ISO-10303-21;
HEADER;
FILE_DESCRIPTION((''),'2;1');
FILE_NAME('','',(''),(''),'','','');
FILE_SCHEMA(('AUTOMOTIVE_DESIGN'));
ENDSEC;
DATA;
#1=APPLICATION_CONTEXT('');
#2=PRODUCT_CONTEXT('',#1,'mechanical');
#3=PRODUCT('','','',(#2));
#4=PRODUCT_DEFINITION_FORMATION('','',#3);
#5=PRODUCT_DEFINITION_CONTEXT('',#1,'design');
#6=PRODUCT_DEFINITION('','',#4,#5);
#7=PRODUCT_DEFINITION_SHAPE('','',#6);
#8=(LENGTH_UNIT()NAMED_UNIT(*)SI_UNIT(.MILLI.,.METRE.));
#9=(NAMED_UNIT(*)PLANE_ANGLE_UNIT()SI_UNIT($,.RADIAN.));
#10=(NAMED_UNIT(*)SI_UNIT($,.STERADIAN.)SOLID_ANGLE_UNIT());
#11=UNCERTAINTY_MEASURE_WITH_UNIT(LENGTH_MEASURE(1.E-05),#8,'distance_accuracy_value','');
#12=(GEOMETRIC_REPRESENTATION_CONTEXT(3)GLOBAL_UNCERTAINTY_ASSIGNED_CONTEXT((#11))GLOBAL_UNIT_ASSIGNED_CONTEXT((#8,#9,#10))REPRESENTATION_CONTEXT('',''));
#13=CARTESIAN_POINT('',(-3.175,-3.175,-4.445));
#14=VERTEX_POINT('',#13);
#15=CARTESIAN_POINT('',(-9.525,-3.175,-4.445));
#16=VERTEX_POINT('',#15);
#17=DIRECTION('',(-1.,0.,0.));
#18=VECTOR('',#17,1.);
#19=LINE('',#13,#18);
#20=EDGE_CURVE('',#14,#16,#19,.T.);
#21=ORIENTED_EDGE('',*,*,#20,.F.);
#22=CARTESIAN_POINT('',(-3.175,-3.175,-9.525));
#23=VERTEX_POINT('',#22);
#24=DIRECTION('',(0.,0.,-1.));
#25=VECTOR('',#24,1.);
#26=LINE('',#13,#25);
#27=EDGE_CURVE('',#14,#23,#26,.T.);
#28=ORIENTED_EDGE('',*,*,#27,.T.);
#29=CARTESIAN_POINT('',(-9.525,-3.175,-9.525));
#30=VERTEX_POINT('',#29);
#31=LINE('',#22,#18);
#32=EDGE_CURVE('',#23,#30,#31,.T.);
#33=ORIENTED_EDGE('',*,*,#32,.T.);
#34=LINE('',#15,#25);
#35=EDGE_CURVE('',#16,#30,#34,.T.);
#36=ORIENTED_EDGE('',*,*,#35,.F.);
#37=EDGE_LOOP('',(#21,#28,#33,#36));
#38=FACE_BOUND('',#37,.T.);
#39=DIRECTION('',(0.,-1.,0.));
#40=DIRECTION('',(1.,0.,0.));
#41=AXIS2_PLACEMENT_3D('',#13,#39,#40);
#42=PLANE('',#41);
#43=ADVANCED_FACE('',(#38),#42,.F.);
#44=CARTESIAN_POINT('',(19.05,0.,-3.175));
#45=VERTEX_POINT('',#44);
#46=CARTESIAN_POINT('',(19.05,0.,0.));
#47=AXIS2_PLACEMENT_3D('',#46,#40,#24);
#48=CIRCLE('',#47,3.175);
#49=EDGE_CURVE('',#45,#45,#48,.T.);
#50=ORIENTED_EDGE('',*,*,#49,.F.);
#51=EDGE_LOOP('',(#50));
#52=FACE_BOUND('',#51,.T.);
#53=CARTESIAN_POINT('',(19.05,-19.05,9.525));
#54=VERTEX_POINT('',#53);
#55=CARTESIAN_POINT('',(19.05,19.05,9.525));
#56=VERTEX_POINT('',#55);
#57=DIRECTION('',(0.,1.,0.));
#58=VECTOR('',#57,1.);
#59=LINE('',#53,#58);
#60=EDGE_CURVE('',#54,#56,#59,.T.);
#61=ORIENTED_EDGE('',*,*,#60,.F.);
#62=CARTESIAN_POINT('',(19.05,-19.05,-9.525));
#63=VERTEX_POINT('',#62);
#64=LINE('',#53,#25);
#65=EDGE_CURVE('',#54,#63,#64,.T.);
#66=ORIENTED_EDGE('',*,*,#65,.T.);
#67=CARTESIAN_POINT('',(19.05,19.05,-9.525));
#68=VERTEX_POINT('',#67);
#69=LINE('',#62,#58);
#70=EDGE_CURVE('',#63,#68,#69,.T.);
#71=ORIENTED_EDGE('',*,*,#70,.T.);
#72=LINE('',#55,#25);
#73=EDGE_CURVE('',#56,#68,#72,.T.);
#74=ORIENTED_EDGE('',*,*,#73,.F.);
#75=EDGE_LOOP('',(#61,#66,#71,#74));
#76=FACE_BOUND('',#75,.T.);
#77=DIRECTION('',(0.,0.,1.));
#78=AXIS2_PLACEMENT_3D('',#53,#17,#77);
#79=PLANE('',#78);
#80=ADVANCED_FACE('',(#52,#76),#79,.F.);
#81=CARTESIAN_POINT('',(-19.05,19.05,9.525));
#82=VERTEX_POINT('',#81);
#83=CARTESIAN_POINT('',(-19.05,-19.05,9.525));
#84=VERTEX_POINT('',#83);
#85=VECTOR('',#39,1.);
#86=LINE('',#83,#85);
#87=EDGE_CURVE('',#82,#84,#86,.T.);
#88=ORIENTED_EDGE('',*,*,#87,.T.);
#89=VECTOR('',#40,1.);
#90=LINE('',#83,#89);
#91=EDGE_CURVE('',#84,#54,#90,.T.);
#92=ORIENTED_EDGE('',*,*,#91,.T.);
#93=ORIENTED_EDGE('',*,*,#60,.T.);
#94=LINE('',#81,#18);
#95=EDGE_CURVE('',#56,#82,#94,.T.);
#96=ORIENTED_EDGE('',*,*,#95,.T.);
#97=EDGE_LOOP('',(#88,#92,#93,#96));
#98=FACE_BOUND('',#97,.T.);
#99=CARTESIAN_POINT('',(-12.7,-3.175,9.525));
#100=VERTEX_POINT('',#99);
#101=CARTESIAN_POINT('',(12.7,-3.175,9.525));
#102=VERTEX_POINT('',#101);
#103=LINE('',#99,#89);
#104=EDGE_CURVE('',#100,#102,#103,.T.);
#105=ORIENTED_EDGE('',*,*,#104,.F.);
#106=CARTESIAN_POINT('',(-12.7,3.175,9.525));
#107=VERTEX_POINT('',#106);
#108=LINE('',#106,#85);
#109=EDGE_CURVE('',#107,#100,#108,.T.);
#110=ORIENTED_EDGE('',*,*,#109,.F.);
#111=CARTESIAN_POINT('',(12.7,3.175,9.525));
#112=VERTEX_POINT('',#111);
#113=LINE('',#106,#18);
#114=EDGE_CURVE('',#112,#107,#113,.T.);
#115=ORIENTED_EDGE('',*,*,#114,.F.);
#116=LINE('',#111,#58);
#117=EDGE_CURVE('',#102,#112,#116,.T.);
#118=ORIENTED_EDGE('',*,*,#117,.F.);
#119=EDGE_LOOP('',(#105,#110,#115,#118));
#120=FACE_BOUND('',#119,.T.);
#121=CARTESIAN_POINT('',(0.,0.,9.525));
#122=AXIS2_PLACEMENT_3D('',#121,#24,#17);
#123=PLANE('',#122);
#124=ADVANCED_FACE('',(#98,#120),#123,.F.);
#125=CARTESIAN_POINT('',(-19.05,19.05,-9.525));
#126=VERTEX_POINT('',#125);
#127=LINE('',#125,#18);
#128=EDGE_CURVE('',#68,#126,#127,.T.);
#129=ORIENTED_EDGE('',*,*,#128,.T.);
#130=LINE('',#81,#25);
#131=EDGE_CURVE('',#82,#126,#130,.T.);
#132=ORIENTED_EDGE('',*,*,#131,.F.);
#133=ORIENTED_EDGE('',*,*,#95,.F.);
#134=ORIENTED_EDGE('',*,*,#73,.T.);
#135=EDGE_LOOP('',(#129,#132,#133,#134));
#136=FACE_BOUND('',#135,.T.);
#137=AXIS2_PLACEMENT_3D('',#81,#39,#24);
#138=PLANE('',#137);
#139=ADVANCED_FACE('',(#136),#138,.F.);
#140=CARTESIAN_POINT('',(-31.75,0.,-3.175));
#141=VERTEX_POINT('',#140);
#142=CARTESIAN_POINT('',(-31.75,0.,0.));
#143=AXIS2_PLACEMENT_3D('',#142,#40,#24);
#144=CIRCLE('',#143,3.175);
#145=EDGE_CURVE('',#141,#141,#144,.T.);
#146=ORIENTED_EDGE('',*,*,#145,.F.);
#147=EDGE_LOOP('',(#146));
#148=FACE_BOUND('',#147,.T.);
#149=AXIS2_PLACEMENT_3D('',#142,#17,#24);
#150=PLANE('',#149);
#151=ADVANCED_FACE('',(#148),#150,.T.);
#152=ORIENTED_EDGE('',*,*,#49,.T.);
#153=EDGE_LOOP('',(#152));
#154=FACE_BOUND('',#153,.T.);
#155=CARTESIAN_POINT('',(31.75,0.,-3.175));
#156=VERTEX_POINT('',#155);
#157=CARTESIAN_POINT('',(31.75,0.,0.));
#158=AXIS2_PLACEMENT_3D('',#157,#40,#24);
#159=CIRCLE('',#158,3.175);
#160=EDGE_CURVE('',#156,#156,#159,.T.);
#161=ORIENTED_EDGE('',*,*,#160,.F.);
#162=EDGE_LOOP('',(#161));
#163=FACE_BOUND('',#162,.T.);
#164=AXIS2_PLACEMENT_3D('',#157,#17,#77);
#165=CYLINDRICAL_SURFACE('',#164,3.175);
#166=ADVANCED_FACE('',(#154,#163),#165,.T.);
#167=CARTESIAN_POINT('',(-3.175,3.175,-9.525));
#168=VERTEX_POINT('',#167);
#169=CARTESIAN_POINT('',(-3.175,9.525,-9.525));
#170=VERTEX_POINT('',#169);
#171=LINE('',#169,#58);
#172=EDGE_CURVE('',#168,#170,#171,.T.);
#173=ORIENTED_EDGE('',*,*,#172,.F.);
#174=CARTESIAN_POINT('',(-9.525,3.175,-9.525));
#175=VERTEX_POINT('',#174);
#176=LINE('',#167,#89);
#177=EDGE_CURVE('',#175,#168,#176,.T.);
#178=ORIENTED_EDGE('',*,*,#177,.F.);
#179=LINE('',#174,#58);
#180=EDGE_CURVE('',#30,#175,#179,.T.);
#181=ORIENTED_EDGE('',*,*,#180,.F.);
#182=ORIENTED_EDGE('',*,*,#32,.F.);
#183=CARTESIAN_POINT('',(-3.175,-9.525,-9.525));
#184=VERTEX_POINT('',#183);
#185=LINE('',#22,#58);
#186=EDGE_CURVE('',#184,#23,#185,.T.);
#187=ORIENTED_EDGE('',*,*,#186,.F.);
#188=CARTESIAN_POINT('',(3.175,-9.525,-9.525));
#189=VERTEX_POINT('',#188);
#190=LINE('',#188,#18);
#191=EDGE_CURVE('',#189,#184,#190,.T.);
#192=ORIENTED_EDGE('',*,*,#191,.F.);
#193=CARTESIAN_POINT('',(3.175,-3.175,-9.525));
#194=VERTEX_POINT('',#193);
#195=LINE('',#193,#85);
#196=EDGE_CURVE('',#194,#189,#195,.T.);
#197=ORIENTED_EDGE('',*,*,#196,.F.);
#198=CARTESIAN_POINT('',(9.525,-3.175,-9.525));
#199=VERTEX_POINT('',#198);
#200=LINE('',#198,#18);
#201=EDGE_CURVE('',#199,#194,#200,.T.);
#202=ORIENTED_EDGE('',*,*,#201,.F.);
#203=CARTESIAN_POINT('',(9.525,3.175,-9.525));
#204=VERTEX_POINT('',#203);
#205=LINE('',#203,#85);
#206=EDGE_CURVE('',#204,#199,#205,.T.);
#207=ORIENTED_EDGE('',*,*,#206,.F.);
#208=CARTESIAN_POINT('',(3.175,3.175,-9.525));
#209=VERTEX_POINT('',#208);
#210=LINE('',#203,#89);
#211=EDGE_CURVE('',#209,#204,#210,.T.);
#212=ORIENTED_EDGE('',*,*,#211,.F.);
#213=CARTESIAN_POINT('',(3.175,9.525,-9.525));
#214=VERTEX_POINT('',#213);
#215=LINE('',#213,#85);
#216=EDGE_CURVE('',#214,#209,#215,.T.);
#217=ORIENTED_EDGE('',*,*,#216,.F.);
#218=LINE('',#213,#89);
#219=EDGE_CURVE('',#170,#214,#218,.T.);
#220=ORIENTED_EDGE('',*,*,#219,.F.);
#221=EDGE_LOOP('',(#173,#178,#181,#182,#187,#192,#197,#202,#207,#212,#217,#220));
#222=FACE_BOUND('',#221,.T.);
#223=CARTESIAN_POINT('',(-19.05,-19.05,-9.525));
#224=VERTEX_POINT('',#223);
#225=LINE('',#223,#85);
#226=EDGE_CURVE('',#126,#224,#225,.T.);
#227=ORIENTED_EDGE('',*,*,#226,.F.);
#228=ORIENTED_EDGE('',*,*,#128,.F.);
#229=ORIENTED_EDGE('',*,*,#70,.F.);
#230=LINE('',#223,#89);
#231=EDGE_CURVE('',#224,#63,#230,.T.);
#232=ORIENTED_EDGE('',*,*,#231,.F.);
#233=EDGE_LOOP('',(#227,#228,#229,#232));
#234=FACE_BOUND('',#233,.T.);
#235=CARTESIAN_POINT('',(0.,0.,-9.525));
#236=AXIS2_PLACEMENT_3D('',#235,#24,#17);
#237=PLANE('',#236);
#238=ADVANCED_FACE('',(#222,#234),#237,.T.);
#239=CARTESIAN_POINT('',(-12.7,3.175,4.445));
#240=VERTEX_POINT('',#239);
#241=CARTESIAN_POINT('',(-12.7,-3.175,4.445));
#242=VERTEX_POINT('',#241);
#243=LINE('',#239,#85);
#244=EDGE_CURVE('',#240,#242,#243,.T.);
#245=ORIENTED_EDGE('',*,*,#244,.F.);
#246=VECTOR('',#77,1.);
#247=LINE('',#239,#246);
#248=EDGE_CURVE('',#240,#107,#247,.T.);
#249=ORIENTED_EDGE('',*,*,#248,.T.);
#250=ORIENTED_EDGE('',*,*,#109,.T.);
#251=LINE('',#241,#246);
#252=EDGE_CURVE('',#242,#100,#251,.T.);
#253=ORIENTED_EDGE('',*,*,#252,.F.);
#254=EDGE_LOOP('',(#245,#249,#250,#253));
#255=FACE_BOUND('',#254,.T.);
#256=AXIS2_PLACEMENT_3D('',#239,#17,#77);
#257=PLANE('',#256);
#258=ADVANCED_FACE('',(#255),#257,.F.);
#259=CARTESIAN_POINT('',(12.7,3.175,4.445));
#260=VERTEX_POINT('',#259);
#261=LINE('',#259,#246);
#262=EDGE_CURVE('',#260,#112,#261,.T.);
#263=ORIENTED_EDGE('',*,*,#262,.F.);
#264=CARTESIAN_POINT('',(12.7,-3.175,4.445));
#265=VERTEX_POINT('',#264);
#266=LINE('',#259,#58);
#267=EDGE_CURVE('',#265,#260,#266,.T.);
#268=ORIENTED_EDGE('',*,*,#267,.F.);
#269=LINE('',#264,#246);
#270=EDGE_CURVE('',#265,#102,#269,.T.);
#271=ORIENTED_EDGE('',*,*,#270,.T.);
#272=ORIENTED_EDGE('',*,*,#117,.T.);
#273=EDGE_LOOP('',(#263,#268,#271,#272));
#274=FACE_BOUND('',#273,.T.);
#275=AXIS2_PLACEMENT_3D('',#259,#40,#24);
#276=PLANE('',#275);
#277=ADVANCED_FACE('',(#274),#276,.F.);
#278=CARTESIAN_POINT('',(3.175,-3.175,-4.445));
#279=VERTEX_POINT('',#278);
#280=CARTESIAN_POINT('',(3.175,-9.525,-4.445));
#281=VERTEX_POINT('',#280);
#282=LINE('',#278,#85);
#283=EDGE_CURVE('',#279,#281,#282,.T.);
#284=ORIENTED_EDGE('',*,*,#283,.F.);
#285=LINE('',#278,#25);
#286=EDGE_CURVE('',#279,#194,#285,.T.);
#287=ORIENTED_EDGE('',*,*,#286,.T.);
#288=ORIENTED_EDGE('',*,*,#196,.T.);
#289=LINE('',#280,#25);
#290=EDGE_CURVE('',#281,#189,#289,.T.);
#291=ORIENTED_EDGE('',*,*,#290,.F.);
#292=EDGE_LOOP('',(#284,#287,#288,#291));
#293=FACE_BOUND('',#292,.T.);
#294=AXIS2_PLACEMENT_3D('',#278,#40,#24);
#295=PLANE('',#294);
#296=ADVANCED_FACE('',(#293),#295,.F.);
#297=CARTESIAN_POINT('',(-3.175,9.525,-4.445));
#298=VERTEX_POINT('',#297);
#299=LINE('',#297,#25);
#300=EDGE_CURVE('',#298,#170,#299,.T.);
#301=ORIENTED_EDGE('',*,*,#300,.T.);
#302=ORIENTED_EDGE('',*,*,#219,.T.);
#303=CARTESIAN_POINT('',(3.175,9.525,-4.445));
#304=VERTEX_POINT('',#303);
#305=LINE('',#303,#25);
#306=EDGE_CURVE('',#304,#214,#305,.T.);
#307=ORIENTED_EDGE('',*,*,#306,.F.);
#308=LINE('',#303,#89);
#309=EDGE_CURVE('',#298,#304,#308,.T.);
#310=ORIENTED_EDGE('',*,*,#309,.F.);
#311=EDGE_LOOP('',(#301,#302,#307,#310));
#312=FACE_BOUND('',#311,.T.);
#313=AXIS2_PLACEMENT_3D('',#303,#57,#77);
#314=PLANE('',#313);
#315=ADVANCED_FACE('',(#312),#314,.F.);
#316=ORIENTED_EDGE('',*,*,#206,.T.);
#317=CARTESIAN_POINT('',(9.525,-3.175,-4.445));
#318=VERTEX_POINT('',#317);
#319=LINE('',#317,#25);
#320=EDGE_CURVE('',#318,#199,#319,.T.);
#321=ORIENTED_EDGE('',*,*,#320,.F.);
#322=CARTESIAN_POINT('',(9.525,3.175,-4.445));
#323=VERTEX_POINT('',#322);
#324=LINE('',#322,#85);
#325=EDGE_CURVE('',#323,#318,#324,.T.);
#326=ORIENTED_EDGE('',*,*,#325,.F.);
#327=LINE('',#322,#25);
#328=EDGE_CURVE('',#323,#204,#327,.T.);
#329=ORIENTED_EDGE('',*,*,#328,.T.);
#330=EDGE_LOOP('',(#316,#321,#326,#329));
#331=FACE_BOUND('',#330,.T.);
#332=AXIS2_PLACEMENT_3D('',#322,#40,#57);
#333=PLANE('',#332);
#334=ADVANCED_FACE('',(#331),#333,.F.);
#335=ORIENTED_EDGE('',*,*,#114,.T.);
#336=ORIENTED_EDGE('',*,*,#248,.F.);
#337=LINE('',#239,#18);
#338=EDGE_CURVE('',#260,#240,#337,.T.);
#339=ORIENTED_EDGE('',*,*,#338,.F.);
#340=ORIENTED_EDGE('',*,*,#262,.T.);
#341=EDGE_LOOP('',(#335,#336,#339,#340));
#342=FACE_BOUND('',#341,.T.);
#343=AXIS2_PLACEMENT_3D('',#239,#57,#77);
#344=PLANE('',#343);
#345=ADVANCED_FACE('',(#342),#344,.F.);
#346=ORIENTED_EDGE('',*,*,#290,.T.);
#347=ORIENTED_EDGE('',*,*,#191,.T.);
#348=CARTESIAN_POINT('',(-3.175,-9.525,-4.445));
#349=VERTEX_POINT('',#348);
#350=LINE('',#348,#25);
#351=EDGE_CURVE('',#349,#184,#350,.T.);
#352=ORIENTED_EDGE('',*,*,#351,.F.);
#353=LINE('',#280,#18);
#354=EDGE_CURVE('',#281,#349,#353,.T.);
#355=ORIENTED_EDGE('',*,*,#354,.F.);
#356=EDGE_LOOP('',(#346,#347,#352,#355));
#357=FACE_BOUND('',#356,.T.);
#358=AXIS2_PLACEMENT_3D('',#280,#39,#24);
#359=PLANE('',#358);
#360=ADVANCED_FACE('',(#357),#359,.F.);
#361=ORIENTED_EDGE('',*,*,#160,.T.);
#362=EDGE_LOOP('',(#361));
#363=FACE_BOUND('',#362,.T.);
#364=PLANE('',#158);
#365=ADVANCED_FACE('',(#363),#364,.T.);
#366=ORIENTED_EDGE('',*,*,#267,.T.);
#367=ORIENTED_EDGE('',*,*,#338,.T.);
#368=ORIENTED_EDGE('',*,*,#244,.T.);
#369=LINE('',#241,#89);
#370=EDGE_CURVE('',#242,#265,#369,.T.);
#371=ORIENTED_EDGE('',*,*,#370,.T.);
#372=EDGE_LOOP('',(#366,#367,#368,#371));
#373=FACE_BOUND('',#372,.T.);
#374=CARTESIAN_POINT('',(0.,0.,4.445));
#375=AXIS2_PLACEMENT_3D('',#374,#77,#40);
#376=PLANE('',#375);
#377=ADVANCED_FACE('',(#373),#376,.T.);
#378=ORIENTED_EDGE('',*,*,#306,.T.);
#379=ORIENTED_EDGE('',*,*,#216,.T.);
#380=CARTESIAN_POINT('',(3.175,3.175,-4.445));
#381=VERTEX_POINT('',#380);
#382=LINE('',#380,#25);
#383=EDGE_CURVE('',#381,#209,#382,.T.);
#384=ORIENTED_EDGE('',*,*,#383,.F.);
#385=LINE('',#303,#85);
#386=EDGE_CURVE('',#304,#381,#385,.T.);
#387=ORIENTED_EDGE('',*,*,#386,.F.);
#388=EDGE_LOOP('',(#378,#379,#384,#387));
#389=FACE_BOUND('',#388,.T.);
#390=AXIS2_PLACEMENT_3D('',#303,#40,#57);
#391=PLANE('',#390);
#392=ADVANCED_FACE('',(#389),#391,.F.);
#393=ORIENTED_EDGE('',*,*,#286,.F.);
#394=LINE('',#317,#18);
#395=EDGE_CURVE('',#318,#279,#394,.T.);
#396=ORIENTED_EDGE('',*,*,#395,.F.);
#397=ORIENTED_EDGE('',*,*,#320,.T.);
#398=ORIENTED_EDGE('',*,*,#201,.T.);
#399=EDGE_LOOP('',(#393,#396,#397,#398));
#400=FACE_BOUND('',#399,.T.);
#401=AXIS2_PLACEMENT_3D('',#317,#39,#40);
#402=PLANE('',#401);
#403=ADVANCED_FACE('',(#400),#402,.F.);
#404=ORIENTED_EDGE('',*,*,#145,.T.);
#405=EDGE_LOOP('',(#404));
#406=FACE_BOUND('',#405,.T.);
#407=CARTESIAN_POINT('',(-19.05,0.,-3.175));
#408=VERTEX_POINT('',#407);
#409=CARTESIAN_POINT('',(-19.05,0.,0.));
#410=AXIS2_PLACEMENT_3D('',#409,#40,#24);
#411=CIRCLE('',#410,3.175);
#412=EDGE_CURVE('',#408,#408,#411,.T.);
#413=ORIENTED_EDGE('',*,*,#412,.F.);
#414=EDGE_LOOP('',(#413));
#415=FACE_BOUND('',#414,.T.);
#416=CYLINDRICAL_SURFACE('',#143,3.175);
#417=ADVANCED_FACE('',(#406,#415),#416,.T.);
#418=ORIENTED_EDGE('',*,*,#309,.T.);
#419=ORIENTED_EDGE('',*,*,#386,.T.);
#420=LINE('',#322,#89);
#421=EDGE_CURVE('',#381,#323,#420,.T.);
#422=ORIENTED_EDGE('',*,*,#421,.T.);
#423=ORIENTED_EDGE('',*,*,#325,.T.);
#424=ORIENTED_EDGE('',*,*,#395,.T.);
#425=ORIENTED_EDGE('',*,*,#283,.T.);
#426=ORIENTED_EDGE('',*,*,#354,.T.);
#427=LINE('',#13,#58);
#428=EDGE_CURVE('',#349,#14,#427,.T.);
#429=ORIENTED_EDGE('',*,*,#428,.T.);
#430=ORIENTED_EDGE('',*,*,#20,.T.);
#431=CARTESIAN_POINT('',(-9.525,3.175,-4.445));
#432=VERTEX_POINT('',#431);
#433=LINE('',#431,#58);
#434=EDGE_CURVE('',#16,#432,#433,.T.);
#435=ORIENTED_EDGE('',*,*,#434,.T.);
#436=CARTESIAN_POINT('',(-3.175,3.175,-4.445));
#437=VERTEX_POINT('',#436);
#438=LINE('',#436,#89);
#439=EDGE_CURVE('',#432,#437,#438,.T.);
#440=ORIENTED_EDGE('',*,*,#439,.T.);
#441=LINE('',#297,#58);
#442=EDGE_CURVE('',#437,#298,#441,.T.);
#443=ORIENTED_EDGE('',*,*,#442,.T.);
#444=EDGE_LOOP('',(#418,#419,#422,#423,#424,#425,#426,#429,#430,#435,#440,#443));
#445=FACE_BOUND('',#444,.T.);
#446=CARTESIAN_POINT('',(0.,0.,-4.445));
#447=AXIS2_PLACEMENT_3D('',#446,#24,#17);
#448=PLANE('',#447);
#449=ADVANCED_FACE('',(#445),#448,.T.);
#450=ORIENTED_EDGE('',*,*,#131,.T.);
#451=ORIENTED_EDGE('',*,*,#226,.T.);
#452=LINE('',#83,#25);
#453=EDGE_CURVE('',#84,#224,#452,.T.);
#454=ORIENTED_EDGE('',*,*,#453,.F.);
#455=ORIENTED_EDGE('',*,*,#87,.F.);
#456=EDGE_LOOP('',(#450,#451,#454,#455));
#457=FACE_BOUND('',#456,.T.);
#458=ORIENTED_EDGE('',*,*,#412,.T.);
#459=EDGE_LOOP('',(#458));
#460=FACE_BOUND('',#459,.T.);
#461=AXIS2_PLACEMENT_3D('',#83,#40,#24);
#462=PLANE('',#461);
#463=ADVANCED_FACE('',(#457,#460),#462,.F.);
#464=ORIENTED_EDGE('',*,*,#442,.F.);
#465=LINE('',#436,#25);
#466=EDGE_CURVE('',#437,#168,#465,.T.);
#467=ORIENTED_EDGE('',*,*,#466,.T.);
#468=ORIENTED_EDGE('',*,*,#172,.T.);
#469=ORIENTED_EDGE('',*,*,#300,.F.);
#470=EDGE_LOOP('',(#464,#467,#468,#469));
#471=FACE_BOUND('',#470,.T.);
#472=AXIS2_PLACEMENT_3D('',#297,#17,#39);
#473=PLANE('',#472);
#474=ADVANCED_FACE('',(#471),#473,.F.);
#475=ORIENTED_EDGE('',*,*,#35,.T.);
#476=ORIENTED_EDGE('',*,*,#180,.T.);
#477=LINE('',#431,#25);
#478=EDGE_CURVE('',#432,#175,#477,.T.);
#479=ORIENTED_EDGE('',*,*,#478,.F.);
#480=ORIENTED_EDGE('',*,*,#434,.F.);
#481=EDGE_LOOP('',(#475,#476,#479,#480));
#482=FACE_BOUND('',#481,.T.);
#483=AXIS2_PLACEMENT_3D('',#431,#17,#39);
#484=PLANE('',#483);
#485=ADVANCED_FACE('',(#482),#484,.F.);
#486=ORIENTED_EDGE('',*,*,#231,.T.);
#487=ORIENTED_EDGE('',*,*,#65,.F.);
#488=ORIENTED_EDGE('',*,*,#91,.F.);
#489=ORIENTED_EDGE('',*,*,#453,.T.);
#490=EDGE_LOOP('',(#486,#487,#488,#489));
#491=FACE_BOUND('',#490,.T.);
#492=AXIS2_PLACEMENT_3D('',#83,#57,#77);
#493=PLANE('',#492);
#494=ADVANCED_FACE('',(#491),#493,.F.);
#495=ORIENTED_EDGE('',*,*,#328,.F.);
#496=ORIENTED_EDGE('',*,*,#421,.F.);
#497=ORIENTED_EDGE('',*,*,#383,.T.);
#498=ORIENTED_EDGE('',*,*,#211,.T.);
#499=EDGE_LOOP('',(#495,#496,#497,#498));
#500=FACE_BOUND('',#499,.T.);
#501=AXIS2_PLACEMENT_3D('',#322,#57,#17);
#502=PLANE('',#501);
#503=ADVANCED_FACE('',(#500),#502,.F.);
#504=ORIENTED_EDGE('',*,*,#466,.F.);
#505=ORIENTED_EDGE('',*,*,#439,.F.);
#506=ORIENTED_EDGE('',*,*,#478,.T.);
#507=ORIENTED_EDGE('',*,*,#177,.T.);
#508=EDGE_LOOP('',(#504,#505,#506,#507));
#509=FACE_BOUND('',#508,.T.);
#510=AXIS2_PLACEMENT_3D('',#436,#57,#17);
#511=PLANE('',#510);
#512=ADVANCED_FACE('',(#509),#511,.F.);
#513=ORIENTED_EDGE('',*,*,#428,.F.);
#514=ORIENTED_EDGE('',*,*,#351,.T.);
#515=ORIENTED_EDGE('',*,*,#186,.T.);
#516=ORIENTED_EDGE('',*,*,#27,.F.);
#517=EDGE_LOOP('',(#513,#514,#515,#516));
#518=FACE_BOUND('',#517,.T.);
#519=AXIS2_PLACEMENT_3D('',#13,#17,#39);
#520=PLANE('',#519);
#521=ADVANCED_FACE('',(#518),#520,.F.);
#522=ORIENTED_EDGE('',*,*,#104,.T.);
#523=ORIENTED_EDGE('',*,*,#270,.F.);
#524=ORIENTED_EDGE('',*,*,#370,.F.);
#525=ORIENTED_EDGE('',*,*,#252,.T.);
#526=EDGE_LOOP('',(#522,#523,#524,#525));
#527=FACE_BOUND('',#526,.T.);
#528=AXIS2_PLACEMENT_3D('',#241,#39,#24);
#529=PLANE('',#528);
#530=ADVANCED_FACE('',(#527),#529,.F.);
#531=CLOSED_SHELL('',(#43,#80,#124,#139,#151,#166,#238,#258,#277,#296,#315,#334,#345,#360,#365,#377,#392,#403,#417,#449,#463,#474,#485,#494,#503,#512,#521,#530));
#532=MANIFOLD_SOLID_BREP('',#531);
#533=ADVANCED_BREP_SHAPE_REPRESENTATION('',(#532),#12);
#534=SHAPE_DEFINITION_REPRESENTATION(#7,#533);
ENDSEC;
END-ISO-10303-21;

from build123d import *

# Parameters (mm, degrees)
SKETCH1_W           = 38.1
SKETCH1_H           = 38.1
BOSS_EXTRUDE1_DEPTH = 9.525
SKETCH2_W           = 25.4
SKETCH2_H           = 6.35
CUT_EXTRUDE1_DEPTH  = 5.08
CUT_EXTRUDE2_DEPTH  = 5.08
SKETCH4_R           = 3.175
BOSS_EXTRUDE2_DEPTH = 12.7


with BuildPart() as part:
    # Sketch1 → Boss-Extrude1 (new body, symmetric)
    with BuildSketch(Plane.XY):
        Rectangle(SKETCH1_W, SKETCH1_H)
    extrude(amount=BOSS_EXTRUDE1_DEPTH, both=True)

    # Sketch2 → Cut-Extrude1 (cut)
    with BuildSketch(Plane.XY.offset(9.525)):
        Rectangle(SKETCH2_W, SKETCH2_H)
    extrude(amount=-CUT_EXTRUDE1_DEPTH, mode=Mode.SUBTRACT)

    # Sketch3 → Cut-Extrude2 (cut)
    with BuildSketch(Plane(origin=(0, 0, -9.525), x_dir=(-1, 0, 0), z_dir=(0, 0, -1))):
        Polygon((3.175, 3.175), (9.525, 3.175), (9.525, -3.175), (3.175, -3.175), (3.175, -9.525), (-3.175, -9.525), (-3.175, -3.175), (-9.525, -3.175), (-9.525, 3.175), (-3.175, 3.175), (-3.175, 9.525), (3.175, 9.525), align=None)
    extrude(amount=-CUT_EXTRUDE2_DEPTH, mode=Mode.SUBTRACT)

    # Sketch4 → Boss-Extrude2 (add)
    with BuildSketch(Plane(origin=(19.05, 0, 0), x_dir=(0, 0, -1), z_dir=(1, 0, 0))):
        Circle(SKETCH4_R)
    boss_extrude2 = extrude(amount=BOSS_EXTRUDE2_DEPTH)

    # Mirror1: Boss-Extrude2 across plane
    add(boss_extrude2.mirror(Plane(origin=(0, 0, 0), x_dir=(0, 0, 1), z_dir=(1, 0, 0))))


solid = part.part
